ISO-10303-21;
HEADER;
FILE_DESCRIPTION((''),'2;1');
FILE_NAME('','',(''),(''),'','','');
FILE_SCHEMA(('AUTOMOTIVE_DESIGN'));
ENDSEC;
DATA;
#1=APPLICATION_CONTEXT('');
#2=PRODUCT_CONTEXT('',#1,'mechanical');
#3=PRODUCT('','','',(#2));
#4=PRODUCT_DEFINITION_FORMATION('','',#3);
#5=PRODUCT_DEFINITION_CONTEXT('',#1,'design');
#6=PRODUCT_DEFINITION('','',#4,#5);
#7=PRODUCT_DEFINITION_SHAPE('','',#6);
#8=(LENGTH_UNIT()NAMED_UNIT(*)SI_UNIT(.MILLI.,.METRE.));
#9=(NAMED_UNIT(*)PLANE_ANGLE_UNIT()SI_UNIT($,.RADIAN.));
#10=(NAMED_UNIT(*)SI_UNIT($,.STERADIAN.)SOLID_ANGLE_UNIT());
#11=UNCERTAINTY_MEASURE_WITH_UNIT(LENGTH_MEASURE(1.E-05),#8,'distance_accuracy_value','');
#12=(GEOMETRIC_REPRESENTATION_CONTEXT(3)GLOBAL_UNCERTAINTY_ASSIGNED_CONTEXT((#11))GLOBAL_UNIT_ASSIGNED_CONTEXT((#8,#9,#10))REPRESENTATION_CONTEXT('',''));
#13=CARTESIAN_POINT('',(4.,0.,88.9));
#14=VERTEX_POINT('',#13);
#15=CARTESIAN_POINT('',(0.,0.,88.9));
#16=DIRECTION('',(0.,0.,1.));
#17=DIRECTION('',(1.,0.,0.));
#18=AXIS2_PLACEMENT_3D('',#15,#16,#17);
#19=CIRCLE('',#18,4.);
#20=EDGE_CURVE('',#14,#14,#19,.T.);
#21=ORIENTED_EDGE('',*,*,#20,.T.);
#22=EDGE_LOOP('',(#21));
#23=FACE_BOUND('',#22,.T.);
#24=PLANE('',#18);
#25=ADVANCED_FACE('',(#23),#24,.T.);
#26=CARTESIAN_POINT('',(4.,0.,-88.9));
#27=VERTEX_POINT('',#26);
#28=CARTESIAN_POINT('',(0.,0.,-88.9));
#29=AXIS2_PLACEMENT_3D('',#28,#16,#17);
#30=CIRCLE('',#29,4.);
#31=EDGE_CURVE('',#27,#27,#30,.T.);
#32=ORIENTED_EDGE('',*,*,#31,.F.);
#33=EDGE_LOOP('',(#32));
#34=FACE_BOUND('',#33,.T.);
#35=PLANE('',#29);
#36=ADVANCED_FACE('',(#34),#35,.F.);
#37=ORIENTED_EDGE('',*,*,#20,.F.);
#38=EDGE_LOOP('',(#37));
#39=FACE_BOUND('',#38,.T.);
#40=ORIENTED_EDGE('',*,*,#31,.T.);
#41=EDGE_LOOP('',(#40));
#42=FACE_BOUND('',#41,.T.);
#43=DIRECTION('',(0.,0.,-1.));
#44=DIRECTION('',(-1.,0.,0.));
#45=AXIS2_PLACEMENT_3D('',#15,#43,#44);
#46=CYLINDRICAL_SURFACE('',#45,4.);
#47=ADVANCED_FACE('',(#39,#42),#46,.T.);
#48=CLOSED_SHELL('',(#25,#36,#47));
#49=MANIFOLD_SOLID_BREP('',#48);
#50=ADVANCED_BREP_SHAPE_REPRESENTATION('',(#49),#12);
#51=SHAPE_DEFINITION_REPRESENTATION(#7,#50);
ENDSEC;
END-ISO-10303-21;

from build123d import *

# Parameters (mm, degrees)
SKETCH1_R           = 4
BOSS_EXTRUDE1_DEPTH = 88.9


with BuildPart() as part:
    # Sketch1 → Boss-Extrude1 (new body, symmetric)
    with BuildSketch(Plane.XY):
        Circle(SKETCH1_R)
    extrude(amount=BOSS_EXTRUDE1_DEPTH, both=True)


solid = part.part
